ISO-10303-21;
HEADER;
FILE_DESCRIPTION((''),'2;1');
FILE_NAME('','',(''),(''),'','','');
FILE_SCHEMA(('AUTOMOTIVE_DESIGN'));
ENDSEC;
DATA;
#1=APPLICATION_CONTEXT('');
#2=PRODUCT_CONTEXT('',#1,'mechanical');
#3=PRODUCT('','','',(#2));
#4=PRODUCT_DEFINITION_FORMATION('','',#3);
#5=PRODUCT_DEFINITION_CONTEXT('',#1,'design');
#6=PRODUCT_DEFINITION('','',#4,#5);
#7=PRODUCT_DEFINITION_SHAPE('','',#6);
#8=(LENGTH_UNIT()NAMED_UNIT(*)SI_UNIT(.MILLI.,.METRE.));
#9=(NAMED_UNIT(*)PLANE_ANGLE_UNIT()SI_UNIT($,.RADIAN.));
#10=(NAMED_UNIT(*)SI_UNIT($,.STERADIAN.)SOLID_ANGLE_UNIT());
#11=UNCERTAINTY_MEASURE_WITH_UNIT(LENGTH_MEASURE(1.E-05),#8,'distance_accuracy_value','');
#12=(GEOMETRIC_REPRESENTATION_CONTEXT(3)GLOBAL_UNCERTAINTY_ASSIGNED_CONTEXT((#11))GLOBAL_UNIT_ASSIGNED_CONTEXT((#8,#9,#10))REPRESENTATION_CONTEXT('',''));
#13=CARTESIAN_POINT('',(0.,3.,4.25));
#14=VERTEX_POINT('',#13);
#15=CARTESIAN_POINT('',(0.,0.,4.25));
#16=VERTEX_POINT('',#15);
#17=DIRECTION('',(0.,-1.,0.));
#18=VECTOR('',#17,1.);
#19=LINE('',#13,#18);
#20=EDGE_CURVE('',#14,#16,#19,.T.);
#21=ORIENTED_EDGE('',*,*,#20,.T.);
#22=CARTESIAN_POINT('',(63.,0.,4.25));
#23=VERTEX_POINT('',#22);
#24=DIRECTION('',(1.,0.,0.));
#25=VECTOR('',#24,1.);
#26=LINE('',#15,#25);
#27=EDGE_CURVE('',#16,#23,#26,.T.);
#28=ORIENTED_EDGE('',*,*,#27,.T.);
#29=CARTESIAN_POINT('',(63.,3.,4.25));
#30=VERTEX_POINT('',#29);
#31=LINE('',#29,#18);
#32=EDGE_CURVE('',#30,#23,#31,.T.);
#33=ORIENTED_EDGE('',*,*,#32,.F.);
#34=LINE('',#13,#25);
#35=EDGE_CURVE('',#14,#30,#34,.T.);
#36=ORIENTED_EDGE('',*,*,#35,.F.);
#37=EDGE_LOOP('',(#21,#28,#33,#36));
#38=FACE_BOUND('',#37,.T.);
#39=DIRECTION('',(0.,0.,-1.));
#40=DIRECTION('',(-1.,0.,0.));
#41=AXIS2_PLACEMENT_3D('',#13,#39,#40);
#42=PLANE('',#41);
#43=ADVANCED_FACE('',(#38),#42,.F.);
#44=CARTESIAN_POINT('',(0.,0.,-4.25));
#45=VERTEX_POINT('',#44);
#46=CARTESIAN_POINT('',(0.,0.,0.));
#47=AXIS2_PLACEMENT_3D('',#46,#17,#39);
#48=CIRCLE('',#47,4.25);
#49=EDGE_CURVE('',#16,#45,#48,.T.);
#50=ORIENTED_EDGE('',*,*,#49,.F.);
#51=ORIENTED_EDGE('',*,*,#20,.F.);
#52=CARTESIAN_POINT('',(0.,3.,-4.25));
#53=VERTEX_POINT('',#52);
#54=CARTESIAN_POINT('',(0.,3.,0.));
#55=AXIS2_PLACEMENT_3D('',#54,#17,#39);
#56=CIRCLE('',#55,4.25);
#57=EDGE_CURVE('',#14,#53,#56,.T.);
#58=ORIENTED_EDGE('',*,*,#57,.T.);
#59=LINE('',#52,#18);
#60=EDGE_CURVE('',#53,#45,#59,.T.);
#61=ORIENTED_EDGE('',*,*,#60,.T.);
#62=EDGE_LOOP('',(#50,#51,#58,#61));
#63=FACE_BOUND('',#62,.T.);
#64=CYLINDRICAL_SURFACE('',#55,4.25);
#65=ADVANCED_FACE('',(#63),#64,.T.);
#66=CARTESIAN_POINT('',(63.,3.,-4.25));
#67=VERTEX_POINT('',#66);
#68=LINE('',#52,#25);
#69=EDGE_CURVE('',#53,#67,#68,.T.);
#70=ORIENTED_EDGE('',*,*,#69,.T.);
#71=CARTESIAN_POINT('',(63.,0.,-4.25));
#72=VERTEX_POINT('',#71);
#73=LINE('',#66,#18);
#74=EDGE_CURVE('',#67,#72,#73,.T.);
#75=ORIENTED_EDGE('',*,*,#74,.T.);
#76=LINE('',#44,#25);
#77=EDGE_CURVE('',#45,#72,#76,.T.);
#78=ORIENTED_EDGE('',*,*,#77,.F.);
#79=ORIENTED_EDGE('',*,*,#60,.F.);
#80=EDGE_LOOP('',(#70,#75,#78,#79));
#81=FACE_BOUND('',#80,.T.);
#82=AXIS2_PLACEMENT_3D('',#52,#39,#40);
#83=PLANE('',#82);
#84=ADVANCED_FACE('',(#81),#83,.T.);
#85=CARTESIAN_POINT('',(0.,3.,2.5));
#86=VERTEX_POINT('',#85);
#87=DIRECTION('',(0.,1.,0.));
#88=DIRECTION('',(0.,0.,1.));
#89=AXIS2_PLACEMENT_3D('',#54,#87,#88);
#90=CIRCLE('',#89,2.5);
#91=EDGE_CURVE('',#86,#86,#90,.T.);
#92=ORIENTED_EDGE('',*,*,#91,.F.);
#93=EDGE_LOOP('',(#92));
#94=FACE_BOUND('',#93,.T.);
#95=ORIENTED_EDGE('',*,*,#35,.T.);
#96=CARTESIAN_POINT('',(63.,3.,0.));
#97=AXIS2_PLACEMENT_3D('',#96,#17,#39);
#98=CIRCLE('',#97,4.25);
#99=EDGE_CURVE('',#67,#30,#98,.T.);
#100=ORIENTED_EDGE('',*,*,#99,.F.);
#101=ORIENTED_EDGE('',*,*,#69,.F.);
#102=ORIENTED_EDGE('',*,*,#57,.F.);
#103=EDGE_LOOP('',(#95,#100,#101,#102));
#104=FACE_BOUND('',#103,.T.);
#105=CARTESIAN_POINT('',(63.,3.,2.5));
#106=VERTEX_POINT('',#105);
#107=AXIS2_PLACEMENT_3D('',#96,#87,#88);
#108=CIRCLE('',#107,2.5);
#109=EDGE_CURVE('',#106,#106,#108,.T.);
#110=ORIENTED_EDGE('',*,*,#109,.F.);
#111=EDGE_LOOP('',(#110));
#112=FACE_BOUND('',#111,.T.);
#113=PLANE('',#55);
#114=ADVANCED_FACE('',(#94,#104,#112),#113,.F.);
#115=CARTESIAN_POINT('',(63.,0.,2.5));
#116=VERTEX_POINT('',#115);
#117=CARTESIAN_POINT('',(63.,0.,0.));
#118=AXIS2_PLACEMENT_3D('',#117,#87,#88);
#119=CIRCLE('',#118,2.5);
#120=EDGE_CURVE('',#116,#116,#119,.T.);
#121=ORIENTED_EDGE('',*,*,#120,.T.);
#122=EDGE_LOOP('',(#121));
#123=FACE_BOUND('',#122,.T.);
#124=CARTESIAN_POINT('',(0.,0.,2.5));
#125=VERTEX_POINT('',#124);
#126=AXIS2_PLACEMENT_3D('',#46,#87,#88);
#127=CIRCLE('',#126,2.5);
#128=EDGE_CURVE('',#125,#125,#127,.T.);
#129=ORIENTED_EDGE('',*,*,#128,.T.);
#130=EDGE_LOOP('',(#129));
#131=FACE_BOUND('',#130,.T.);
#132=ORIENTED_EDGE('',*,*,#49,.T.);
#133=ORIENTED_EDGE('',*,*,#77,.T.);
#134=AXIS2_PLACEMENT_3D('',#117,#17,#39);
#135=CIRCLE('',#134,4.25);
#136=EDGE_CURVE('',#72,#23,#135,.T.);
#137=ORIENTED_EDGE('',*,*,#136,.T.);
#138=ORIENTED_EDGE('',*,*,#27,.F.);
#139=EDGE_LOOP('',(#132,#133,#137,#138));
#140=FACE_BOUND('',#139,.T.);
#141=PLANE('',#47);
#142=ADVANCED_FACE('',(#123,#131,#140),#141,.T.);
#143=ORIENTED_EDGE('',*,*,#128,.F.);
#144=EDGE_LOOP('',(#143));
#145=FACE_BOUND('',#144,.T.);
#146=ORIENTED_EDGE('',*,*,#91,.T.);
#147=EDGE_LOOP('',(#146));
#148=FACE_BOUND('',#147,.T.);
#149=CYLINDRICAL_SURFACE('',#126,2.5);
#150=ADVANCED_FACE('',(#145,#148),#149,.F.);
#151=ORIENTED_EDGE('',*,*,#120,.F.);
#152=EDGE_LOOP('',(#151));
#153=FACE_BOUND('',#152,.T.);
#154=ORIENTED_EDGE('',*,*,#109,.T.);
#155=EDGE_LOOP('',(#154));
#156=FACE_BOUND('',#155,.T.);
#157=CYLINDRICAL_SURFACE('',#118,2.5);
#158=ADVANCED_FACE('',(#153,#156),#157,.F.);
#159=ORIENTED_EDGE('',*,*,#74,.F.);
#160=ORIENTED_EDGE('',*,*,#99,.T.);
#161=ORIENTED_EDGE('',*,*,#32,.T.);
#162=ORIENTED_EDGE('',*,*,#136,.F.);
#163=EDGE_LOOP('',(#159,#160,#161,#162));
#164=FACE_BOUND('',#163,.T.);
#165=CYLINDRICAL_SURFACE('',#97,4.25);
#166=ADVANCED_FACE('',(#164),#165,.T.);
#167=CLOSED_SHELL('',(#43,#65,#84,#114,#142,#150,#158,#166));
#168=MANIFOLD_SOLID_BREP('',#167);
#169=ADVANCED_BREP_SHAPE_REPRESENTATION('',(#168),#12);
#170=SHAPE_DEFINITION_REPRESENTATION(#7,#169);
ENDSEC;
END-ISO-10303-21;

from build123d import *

# Parameters (mm, degrees)
BOSS_EXTRUDE1_DEPTH = 3
SKETCH4_R           = 2.5
CUT_EXTRUDE2_DEPTH  = 4


with BuildPart() as part:
    # Sketch2 → Boss-Extrude1 (new body)
    with BuildSketch(Plane(origin=(0, 0, 0), x_dir=(1, 0, 0), z_dir=(0, 1, 0))):
        with BuildLine():
            Line((0, -4.25), (63, -4.25))
            ThreePointArc((63, -4.25), (67.25, 0), (63, 4.25))
            Line((63, 4.25), (0, 4.25))
            ThreePointArc((0, 4.25), (-4.25, 0), (0, -4.25))
        make_face()
    extrude(amount=BOSS_EXTRUDE1_DEPTH)

    # Sketch4 → Cut-Extrude2 (cut, through all)
    with BuildSketch(Plane(origin=(0, 3, 0), x_dir=(1, 0, 0), z_dir=(0, 1, 0))):
        Circle(SKETCH4_R)
        with Locations((63, 0)):
            Circle(SKETCH4_R)
    extrude(amount=-CUT_EXTRUDE2_DEPTH, mode=Mode.SUBTRACT)


solid = part.part
